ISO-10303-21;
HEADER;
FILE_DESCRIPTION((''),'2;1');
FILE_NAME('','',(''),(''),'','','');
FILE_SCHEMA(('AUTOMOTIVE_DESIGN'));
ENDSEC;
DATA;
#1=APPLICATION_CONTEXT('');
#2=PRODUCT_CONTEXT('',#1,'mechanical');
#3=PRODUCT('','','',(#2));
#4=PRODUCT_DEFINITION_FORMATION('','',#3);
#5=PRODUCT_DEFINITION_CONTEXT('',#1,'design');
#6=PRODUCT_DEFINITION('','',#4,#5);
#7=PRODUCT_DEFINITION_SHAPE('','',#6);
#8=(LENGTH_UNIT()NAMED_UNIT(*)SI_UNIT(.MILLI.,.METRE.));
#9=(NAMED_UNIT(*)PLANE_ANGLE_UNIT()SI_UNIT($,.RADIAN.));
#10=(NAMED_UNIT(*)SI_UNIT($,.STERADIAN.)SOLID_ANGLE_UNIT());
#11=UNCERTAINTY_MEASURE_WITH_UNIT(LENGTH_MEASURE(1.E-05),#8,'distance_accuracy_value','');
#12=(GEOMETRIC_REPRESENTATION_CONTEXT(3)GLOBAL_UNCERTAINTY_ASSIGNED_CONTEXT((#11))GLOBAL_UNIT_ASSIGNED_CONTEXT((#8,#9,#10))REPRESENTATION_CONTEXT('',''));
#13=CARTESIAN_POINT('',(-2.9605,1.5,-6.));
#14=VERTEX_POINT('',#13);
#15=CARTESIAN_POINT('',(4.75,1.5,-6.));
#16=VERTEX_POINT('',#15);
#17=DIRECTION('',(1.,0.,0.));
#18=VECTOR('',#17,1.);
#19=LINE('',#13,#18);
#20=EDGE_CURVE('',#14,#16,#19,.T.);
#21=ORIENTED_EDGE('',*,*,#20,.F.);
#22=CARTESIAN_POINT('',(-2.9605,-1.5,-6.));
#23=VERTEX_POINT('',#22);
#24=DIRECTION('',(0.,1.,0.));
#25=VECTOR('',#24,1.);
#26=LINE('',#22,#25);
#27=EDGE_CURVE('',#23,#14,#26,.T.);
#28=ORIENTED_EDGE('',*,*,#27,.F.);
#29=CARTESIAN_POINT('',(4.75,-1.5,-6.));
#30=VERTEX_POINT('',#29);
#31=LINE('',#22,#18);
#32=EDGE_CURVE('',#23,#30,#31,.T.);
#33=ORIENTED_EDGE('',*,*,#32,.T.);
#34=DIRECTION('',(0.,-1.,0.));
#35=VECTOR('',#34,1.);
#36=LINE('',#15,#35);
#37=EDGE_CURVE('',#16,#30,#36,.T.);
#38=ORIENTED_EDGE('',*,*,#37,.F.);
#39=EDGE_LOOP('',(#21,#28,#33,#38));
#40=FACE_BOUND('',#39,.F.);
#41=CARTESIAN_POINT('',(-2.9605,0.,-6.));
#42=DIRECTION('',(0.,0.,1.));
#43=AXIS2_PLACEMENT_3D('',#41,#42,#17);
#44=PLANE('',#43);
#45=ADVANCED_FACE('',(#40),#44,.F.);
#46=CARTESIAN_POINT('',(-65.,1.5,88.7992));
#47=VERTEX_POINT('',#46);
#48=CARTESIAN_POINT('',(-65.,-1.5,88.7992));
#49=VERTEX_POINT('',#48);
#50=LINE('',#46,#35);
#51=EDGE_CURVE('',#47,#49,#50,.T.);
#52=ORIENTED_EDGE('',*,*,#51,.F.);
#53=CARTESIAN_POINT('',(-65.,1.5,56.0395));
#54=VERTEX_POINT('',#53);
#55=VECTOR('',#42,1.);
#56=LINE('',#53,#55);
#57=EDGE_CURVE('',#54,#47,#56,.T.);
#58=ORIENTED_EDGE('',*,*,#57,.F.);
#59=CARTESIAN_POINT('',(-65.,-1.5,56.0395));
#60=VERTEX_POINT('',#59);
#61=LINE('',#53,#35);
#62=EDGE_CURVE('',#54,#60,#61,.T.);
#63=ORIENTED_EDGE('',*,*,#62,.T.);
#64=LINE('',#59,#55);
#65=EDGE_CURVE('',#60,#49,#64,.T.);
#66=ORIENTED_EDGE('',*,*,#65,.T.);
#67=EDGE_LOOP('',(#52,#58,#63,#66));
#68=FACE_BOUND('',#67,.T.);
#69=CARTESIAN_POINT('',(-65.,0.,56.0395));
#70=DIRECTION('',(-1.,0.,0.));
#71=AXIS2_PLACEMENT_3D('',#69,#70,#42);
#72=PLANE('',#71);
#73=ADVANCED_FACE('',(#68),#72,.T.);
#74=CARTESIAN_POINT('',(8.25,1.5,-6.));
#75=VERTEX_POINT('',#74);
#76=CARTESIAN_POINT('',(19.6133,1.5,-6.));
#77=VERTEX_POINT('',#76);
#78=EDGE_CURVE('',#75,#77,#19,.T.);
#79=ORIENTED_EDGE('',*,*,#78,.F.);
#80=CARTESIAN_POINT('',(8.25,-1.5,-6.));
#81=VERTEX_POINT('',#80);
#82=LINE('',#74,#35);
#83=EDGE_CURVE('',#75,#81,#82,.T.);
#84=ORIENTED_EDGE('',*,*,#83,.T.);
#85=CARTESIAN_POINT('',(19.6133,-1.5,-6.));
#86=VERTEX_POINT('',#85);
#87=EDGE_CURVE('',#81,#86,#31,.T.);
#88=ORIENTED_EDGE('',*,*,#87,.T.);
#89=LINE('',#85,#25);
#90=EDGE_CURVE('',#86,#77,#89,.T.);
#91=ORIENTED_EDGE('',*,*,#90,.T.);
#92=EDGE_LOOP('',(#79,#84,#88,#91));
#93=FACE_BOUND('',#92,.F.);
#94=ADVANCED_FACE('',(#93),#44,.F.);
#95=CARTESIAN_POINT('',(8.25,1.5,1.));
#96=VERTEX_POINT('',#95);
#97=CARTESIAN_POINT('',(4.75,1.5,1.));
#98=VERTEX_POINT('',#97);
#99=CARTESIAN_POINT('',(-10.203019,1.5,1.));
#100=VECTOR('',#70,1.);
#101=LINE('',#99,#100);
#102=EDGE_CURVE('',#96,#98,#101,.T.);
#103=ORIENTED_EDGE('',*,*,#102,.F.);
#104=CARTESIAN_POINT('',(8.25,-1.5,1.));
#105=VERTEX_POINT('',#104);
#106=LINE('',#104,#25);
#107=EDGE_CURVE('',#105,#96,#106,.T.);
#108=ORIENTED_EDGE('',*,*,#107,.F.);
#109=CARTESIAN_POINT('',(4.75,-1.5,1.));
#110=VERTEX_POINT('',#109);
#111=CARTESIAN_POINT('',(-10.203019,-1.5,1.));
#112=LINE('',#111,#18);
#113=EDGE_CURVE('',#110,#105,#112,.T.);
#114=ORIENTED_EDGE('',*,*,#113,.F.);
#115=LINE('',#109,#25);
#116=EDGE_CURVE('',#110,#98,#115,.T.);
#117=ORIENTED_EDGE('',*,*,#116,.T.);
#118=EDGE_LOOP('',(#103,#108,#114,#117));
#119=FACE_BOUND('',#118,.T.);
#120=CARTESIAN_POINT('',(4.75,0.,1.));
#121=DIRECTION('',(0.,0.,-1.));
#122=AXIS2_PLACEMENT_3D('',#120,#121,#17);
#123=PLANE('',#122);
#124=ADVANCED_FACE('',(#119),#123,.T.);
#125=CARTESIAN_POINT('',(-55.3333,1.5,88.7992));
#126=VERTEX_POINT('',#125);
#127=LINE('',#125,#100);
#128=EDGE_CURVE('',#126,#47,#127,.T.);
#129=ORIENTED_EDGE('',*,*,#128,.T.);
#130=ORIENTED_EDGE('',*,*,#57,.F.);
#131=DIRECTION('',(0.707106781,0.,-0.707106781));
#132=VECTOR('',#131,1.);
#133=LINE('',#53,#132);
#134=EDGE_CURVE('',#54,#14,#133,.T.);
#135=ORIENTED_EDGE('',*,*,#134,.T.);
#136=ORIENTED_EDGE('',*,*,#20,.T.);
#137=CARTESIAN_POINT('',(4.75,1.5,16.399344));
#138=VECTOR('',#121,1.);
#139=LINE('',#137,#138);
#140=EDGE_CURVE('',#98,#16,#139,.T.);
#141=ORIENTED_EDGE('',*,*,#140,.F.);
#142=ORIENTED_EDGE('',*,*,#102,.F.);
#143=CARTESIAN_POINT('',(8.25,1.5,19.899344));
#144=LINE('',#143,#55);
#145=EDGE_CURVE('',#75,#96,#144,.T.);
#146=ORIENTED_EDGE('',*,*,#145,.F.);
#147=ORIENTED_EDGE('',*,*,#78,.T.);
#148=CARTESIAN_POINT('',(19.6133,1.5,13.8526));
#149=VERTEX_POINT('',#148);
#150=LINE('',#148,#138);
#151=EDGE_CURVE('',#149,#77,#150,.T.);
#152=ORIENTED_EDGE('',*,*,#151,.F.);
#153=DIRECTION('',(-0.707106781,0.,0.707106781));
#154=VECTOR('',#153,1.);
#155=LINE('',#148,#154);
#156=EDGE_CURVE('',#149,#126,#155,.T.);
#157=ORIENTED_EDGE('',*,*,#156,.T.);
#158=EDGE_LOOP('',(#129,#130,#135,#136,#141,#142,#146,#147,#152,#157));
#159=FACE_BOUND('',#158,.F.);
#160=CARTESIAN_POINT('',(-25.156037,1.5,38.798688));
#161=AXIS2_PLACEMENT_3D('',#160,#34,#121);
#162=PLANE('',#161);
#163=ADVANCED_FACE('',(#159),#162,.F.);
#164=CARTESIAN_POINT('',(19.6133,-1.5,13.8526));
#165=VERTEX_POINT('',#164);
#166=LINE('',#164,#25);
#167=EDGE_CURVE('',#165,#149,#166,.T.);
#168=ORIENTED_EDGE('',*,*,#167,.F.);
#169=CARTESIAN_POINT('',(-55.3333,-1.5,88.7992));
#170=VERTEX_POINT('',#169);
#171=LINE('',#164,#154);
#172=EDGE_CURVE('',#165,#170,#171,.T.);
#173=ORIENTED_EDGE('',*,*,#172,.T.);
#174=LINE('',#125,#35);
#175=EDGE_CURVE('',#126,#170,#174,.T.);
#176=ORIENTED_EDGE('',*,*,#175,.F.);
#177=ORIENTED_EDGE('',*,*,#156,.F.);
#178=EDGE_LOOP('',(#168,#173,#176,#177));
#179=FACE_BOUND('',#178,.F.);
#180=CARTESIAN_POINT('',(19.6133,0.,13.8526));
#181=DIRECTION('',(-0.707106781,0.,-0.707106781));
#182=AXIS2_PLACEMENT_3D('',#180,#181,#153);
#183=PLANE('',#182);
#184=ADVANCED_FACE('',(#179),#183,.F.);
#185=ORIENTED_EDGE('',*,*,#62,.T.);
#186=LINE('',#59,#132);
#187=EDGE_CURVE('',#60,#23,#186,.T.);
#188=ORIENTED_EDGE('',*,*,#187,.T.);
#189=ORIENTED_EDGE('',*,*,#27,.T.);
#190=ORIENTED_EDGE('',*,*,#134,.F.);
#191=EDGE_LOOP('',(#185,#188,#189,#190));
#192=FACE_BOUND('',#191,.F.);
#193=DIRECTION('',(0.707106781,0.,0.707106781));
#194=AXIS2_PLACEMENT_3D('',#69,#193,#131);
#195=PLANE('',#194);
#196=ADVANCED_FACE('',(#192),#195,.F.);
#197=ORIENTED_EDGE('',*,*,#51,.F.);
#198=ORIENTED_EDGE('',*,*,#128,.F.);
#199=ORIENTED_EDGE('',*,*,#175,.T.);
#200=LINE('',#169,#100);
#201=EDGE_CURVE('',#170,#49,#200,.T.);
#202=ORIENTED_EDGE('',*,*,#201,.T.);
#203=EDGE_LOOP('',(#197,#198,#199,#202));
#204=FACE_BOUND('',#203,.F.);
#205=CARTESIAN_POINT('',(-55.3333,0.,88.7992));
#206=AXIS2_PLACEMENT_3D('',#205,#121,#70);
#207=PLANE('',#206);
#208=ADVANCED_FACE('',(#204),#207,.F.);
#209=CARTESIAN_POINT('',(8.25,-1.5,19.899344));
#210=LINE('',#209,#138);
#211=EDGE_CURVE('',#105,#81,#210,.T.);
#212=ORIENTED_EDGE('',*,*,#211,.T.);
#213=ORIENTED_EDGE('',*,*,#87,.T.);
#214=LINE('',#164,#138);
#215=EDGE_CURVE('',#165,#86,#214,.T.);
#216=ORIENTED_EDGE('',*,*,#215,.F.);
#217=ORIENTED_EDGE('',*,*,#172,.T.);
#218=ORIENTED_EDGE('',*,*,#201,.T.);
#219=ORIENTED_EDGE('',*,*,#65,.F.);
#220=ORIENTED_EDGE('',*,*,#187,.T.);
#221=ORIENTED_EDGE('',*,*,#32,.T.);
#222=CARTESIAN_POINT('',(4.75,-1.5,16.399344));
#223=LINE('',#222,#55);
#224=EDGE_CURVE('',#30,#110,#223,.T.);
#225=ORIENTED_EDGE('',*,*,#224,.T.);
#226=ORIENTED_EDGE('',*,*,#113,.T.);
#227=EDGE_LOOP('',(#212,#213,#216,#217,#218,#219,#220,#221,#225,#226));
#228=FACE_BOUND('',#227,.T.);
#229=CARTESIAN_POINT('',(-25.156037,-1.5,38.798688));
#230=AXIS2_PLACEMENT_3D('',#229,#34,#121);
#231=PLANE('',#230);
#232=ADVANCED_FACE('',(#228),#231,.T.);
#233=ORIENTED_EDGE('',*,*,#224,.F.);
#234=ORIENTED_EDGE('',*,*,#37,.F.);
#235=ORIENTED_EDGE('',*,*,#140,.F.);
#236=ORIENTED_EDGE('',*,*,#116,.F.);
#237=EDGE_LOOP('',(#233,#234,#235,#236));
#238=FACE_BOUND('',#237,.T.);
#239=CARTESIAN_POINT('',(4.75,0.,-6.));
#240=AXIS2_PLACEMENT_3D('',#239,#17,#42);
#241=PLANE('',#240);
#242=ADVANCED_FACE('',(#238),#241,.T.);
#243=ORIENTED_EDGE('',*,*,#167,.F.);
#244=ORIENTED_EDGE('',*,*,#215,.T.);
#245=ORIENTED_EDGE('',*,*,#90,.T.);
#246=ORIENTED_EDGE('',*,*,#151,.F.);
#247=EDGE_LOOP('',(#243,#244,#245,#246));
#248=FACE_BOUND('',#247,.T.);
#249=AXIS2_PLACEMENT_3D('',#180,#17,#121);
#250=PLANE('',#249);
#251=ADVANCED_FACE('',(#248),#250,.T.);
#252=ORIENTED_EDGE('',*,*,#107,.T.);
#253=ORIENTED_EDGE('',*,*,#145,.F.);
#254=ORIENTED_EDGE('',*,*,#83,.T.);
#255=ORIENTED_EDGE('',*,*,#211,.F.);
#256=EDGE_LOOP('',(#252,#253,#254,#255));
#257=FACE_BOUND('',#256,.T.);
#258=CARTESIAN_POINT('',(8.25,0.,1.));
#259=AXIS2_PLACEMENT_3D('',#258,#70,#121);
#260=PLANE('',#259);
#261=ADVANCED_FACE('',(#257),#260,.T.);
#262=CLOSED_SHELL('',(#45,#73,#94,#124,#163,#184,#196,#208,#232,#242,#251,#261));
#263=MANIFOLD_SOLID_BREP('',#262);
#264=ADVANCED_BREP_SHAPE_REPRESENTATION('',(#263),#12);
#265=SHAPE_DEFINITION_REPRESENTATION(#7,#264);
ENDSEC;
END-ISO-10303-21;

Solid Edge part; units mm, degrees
sketch "Sketch1" plane through (0, 0, 0) normal (0, -1, 0) x (1, 0, 0)
  line L0 (19.6133, 13.8526) -> (-55.3333, 88.7992)
  line L1 (-55.3333, 88.7992) -> (-65, 88.7992)
  line L2 (-65, 56.0395) -> (-65, 88.7992)
  line L3 (-65, 56.0395) -> (-2.9605, -6)
  line L4 (-2.9605, -6) -> (19.6133, -6)
  line L5 (19.6133, 13.8526) -> (19.6133, -6)
extrude "Protrusion1" add sketch "Sketch1" along normal mid plane 3
sketch "Sketch2" plane through (0, 0, 0) normal (0, -1, 0) x (1, 0, 0)
  line L0 (8.25, 1) -> (8.25, -6)
  line L1 (4.75, 1) -> (8.25, 1)
  line L2 (4.75, -6) -> (4.75, 1)
extrude "Cutout1" cut sketch "Sketch2" along normal up to next and the other way up to next material side at (8.2, 0, -2.5)
